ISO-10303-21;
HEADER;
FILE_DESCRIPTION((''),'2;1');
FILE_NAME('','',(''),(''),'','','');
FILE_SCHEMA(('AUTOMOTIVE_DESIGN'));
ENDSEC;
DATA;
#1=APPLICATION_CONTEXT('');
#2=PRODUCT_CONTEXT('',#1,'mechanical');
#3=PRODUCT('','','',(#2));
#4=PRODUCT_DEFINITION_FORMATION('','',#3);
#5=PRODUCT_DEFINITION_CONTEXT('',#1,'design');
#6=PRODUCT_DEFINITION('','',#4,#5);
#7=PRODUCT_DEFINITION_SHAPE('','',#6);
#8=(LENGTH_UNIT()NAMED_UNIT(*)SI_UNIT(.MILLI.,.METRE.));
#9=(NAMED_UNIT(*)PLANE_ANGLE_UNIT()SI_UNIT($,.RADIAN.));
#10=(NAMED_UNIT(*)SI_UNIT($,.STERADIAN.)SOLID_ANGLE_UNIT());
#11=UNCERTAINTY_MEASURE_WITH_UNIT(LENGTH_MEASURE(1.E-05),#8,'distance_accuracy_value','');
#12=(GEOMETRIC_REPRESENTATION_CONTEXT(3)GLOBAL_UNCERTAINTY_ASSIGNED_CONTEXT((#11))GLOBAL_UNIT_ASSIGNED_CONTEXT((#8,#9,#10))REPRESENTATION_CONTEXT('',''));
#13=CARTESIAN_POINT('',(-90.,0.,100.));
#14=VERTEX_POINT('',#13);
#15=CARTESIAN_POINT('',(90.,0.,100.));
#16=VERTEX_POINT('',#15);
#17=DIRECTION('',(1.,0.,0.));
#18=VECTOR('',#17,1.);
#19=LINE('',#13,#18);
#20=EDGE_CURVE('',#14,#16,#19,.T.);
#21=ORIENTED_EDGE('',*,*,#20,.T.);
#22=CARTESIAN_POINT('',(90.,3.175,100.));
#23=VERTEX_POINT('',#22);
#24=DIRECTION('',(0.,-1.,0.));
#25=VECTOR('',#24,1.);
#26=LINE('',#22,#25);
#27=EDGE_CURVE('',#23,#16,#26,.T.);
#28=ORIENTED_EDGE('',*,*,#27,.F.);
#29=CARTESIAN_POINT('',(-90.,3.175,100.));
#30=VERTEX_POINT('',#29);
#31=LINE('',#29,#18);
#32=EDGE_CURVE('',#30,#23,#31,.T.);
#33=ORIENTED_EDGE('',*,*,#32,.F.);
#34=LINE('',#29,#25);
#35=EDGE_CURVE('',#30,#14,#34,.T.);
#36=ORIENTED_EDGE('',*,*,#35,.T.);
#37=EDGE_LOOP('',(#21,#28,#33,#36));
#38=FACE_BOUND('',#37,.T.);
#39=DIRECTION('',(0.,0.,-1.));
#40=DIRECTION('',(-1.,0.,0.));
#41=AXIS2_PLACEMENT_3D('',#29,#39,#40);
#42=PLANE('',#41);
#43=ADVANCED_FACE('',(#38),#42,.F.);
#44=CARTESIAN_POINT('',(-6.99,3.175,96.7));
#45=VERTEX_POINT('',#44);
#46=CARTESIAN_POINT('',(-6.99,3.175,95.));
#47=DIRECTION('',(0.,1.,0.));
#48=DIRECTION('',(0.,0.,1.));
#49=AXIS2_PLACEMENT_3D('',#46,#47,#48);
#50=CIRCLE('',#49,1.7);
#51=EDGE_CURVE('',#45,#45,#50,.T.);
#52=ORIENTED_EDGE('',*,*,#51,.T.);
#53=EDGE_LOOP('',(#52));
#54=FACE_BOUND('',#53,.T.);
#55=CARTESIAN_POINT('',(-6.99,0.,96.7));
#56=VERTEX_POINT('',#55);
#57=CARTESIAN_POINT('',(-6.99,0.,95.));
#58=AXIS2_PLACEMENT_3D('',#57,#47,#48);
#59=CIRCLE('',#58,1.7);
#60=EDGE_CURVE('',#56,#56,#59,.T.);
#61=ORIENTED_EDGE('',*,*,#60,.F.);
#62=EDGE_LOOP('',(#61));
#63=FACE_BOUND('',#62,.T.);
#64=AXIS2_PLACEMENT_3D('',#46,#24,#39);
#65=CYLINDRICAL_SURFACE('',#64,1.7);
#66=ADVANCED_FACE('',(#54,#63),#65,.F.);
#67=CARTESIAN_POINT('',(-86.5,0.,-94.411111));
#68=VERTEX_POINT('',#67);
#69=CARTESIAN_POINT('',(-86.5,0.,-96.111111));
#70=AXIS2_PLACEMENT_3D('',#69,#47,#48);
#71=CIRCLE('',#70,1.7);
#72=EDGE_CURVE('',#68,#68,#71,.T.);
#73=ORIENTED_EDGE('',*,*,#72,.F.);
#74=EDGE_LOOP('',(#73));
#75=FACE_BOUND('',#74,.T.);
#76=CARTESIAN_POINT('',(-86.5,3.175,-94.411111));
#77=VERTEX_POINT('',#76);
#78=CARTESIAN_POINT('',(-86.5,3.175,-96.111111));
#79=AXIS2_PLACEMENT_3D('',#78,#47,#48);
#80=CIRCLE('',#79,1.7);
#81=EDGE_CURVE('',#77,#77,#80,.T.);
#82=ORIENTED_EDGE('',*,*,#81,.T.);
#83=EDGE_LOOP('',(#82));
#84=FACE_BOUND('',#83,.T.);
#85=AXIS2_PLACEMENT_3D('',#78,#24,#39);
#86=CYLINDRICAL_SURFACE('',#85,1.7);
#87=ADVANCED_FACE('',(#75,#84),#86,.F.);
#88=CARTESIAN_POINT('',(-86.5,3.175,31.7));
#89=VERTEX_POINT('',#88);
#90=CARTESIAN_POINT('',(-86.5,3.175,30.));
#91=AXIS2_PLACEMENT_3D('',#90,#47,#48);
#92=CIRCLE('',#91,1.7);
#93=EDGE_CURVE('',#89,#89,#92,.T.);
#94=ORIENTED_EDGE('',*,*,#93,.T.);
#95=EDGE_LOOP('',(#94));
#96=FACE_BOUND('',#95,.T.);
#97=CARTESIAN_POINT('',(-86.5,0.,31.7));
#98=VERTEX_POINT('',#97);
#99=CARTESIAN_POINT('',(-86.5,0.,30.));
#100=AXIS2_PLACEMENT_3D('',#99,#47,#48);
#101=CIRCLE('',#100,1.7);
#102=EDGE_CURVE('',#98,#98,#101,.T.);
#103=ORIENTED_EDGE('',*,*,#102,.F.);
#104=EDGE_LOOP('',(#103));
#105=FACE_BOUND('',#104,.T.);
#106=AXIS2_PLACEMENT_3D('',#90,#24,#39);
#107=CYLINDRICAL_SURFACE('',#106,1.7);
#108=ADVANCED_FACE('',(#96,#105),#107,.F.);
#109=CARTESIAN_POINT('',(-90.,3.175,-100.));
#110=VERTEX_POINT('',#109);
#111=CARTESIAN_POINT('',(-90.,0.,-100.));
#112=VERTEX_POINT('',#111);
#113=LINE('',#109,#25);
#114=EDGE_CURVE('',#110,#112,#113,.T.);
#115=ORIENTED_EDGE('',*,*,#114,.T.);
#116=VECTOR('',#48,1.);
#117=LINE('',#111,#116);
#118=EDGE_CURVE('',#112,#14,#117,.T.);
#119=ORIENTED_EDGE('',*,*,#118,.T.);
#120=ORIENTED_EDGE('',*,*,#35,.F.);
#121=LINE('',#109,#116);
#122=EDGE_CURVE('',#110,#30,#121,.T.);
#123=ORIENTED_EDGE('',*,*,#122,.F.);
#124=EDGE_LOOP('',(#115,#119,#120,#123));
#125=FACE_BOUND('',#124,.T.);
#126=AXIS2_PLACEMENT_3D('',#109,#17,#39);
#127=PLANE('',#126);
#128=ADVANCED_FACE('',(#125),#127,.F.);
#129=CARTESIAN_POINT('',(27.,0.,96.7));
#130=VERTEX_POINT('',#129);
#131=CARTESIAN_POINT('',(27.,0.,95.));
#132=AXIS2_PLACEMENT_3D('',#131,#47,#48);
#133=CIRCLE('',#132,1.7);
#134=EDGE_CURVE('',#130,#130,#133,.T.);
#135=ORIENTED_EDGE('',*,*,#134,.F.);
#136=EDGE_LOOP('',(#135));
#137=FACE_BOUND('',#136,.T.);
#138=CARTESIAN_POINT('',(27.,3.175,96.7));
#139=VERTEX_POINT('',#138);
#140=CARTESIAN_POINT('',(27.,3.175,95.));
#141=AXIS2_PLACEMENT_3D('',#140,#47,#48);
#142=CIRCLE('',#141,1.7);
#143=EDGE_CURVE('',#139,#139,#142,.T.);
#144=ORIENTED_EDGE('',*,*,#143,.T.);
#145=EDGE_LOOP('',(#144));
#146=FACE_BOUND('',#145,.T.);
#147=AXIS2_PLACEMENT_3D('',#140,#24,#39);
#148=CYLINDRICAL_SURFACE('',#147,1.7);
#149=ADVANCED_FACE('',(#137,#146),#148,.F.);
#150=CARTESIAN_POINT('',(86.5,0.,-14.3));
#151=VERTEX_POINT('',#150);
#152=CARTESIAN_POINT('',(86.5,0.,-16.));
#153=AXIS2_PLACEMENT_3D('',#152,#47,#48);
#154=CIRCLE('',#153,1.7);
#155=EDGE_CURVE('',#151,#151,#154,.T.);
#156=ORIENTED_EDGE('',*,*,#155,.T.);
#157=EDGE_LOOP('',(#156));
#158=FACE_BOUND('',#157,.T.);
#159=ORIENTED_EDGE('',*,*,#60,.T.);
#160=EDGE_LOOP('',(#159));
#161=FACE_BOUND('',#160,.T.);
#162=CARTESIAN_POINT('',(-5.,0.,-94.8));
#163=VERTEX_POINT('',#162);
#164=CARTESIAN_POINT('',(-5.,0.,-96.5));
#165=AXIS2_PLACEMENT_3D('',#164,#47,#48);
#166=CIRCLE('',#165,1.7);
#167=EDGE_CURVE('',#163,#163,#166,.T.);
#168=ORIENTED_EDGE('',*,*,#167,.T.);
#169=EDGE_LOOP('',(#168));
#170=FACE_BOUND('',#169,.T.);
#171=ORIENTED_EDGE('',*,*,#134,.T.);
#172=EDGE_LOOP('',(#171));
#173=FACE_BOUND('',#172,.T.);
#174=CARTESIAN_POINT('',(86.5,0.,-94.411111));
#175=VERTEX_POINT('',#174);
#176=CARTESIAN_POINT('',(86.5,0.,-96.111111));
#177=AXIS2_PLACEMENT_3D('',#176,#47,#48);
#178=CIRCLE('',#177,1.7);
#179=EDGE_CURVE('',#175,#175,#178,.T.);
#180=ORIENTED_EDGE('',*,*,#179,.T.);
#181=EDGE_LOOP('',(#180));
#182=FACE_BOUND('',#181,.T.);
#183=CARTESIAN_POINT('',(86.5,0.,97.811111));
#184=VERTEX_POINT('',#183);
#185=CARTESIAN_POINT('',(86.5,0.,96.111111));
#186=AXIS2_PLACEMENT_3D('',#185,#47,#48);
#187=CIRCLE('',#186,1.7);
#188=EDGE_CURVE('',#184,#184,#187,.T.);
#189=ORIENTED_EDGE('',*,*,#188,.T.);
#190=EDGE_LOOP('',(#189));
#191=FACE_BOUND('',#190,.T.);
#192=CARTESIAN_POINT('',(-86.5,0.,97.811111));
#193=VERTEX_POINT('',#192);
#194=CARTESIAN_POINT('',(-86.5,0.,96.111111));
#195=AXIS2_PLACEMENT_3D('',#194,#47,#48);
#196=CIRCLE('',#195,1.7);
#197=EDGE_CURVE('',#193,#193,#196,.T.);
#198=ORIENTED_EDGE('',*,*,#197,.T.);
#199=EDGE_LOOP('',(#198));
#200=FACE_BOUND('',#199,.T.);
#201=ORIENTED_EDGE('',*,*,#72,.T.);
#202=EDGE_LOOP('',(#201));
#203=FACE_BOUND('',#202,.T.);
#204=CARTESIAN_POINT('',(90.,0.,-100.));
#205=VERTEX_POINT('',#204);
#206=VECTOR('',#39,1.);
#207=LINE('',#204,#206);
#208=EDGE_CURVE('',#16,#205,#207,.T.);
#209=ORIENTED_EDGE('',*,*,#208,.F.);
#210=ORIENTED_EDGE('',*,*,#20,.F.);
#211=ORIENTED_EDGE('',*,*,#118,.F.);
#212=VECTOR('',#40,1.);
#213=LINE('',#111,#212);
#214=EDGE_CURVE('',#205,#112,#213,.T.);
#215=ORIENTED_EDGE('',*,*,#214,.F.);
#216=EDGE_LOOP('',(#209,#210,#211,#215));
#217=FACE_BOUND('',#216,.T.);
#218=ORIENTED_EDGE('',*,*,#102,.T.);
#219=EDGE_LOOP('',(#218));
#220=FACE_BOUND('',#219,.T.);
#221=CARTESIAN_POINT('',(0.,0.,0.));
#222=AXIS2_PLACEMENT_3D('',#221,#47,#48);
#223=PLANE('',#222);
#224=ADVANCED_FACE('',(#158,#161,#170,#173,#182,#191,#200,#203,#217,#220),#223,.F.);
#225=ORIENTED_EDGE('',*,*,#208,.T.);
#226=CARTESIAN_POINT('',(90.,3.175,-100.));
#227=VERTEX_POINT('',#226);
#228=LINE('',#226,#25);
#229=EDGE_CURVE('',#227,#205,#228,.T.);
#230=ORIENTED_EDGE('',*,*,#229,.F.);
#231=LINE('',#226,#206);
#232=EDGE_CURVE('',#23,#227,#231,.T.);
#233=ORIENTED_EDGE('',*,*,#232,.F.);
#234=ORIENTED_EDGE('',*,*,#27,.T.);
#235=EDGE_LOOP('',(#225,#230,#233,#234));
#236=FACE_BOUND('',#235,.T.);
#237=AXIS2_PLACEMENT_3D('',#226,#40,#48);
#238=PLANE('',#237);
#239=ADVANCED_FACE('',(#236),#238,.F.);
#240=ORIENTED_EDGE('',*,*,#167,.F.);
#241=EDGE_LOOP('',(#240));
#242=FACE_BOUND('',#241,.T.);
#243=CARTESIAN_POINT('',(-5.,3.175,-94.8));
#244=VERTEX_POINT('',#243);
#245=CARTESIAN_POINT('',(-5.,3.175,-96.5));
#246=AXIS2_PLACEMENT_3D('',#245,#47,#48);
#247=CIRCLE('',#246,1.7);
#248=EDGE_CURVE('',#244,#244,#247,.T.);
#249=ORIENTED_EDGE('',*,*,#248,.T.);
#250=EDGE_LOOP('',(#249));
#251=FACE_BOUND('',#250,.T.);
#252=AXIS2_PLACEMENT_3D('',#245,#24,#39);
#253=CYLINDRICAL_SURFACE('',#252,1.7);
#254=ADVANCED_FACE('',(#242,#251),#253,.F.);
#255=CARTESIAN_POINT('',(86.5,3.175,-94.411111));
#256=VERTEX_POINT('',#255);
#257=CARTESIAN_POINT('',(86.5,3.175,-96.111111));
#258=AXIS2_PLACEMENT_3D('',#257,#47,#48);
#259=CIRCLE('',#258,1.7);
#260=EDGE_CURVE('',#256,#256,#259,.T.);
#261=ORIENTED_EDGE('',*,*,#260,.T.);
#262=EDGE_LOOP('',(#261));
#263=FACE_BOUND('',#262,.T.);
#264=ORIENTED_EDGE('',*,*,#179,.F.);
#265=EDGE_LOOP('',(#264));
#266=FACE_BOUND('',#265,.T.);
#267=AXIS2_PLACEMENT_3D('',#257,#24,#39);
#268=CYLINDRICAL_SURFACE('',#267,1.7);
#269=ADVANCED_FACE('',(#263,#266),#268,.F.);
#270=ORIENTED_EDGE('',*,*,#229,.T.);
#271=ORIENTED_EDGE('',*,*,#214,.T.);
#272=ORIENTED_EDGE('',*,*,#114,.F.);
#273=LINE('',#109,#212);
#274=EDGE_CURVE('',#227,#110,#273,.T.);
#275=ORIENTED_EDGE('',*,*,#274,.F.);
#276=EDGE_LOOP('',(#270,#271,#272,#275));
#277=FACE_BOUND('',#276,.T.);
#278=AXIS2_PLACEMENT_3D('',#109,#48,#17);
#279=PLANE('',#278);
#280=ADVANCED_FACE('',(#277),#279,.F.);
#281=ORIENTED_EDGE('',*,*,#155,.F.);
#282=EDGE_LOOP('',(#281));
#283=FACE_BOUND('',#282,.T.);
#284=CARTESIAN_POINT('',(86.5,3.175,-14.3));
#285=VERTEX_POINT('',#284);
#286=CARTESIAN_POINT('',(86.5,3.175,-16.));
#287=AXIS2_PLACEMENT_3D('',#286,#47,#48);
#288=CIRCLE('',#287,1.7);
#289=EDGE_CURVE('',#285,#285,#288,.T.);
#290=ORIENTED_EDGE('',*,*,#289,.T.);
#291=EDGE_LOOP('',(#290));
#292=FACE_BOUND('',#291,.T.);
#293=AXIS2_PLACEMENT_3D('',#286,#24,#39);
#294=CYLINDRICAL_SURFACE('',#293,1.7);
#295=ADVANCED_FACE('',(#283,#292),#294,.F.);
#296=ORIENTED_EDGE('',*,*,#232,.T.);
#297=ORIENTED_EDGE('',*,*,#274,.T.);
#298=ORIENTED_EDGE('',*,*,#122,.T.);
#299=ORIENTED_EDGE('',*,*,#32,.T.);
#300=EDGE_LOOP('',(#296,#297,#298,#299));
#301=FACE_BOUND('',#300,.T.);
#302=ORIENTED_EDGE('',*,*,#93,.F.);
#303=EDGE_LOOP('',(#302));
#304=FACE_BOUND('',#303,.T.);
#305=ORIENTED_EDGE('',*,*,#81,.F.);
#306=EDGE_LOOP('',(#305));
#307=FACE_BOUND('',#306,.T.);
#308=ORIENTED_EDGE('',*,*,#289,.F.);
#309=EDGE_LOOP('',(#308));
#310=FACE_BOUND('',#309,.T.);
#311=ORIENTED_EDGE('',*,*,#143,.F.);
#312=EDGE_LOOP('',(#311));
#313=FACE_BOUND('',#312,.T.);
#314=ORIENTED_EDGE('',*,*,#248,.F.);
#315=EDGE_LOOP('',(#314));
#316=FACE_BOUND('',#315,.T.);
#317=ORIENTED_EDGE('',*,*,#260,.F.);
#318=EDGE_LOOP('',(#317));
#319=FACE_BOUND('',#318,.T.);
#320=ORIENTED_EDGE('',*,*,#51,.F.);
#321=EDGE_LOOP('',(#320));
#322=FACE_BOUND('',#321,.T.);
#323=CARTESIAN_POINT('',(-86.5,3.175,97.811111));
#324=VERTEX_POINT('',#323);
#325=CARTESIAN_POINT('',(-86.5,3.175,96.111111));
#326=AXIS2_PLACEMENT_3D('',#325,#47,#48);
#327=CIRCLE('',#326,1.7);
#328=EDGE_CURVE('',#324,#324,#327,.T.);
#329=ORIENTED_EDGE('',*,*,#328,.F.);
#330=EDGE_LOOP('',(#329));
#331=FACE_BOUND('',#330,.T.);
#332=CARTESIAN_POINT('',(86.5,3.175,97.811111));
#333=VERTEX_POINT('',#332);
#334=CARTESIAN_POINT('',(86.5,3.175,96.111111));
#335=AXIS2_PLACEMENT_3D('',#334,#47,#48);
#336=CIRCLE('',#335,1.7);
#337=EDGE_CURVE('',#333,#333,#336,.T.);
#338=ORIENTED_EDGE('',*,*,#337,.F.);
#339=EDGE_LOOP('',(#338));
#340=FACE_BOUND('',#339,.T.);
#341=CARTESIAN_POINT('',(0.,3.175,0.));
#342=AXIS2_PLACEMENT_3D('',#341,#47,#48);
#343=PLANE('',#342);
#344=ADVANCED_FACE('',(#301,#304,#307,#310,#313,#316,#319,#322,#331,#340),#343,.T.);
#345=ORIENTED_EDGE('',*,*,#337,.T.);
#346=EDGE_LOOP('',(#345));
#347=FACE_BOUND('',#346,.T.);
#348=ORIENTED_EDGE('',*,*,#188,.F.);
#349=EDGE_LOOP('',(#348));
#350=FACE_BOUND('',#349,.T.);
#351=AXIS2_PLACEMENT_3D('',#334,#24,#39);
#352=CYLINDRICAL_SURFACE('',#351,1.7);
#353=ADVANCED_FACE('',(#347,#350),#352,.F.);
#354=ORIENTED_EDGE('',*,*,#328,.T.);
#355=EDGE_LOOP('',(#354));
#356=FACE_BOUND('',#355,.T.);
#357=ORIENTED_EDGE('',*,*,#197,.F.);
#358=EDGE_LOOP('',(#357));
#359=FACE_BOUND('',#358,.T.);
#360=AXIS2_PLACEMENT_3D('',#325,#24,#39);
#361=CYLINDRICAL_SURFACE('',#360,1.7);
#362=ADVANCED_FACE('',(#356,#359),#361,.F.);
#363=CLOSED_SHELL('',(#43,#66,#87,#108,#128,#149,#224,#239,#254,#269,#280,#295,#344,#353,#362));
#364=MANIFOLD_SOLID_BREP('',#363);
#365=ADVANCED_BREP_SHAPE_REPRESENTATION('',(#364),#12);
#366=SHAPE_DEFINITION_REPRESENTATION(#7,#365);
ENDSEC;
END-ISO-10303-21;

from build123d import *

# Parameters (mm, degrees)
SKETCH1_W           = 179.999999918
SKETCH1_H           = 200.00000005
SKETCH1_R           = 1.7
BOSS_EXTRUDE1_DEPTH = 3.175


with BuildPart() as part:
    # Sketch1 → Boss-Extrude1 (new body)
    with BuildSketch(Plane(origin=(0, 0, 0), x_dir=(1, 0, 0), z_dir=(0, 1, 0))):
        Rectangle(SKETCH1_W, SKETCH1_H)
        with Locations(Location((-86.499999959, 96.111111133, 0), (0, 0, 270))):
            Circle(SKETCH1_R, mode=Mode.SUBTRACT)
        with Locations(Location((-4.999999959, 96.500000025, 0), (0, 0, 270))):
            Circle(SKETCH1_R, mode=Mode.SUBTRACT)
        with Locations(Location((86.500000041, 96.111111224, 0), (0, 0, 270))):
            Circle(SKETCH1_R, mode=Mode.SUBTRACT)
        with Locations(Location((-86.499999959, -96.111111133, 0), (0, 0, 270))):
            Circle(SKETCH1_R, mode=Mode.SUBTRACT)
        with Locations(Location((-6.989999959, -95.000000025, 0), (0, 0, 270))):
            Circle(SKETCH1_R, mode=Mode.SUBTRACT)
        with Locations(Location((27.000000041, -95.000000025, 0), (0, 0, 270))):
            Circle(SKETCH1_R, mode=Mode.SUBTRACT)
        with Locations(Location((86.500000041, -96.111111224, 0), (0, 0, 270))):
            Circle(SKETCH1_R, mode=Mode.SUBTRACT)
        with Locations(Location((86.499999959, 15.999999975, 0), (0, 0, 270))):
            Circle(SKETCH1_R, mode=Mode.SUBTRACT)
        with Locations(Location((-86.499999959, -30.000000025, 0), (0, 0, 270))):
            Circle(SKETCH1_R, mode=Mode.SUBTRACT)
    extrude(amount=BOSS_EXTRUDE1_DEPTH)


solid = part.part
